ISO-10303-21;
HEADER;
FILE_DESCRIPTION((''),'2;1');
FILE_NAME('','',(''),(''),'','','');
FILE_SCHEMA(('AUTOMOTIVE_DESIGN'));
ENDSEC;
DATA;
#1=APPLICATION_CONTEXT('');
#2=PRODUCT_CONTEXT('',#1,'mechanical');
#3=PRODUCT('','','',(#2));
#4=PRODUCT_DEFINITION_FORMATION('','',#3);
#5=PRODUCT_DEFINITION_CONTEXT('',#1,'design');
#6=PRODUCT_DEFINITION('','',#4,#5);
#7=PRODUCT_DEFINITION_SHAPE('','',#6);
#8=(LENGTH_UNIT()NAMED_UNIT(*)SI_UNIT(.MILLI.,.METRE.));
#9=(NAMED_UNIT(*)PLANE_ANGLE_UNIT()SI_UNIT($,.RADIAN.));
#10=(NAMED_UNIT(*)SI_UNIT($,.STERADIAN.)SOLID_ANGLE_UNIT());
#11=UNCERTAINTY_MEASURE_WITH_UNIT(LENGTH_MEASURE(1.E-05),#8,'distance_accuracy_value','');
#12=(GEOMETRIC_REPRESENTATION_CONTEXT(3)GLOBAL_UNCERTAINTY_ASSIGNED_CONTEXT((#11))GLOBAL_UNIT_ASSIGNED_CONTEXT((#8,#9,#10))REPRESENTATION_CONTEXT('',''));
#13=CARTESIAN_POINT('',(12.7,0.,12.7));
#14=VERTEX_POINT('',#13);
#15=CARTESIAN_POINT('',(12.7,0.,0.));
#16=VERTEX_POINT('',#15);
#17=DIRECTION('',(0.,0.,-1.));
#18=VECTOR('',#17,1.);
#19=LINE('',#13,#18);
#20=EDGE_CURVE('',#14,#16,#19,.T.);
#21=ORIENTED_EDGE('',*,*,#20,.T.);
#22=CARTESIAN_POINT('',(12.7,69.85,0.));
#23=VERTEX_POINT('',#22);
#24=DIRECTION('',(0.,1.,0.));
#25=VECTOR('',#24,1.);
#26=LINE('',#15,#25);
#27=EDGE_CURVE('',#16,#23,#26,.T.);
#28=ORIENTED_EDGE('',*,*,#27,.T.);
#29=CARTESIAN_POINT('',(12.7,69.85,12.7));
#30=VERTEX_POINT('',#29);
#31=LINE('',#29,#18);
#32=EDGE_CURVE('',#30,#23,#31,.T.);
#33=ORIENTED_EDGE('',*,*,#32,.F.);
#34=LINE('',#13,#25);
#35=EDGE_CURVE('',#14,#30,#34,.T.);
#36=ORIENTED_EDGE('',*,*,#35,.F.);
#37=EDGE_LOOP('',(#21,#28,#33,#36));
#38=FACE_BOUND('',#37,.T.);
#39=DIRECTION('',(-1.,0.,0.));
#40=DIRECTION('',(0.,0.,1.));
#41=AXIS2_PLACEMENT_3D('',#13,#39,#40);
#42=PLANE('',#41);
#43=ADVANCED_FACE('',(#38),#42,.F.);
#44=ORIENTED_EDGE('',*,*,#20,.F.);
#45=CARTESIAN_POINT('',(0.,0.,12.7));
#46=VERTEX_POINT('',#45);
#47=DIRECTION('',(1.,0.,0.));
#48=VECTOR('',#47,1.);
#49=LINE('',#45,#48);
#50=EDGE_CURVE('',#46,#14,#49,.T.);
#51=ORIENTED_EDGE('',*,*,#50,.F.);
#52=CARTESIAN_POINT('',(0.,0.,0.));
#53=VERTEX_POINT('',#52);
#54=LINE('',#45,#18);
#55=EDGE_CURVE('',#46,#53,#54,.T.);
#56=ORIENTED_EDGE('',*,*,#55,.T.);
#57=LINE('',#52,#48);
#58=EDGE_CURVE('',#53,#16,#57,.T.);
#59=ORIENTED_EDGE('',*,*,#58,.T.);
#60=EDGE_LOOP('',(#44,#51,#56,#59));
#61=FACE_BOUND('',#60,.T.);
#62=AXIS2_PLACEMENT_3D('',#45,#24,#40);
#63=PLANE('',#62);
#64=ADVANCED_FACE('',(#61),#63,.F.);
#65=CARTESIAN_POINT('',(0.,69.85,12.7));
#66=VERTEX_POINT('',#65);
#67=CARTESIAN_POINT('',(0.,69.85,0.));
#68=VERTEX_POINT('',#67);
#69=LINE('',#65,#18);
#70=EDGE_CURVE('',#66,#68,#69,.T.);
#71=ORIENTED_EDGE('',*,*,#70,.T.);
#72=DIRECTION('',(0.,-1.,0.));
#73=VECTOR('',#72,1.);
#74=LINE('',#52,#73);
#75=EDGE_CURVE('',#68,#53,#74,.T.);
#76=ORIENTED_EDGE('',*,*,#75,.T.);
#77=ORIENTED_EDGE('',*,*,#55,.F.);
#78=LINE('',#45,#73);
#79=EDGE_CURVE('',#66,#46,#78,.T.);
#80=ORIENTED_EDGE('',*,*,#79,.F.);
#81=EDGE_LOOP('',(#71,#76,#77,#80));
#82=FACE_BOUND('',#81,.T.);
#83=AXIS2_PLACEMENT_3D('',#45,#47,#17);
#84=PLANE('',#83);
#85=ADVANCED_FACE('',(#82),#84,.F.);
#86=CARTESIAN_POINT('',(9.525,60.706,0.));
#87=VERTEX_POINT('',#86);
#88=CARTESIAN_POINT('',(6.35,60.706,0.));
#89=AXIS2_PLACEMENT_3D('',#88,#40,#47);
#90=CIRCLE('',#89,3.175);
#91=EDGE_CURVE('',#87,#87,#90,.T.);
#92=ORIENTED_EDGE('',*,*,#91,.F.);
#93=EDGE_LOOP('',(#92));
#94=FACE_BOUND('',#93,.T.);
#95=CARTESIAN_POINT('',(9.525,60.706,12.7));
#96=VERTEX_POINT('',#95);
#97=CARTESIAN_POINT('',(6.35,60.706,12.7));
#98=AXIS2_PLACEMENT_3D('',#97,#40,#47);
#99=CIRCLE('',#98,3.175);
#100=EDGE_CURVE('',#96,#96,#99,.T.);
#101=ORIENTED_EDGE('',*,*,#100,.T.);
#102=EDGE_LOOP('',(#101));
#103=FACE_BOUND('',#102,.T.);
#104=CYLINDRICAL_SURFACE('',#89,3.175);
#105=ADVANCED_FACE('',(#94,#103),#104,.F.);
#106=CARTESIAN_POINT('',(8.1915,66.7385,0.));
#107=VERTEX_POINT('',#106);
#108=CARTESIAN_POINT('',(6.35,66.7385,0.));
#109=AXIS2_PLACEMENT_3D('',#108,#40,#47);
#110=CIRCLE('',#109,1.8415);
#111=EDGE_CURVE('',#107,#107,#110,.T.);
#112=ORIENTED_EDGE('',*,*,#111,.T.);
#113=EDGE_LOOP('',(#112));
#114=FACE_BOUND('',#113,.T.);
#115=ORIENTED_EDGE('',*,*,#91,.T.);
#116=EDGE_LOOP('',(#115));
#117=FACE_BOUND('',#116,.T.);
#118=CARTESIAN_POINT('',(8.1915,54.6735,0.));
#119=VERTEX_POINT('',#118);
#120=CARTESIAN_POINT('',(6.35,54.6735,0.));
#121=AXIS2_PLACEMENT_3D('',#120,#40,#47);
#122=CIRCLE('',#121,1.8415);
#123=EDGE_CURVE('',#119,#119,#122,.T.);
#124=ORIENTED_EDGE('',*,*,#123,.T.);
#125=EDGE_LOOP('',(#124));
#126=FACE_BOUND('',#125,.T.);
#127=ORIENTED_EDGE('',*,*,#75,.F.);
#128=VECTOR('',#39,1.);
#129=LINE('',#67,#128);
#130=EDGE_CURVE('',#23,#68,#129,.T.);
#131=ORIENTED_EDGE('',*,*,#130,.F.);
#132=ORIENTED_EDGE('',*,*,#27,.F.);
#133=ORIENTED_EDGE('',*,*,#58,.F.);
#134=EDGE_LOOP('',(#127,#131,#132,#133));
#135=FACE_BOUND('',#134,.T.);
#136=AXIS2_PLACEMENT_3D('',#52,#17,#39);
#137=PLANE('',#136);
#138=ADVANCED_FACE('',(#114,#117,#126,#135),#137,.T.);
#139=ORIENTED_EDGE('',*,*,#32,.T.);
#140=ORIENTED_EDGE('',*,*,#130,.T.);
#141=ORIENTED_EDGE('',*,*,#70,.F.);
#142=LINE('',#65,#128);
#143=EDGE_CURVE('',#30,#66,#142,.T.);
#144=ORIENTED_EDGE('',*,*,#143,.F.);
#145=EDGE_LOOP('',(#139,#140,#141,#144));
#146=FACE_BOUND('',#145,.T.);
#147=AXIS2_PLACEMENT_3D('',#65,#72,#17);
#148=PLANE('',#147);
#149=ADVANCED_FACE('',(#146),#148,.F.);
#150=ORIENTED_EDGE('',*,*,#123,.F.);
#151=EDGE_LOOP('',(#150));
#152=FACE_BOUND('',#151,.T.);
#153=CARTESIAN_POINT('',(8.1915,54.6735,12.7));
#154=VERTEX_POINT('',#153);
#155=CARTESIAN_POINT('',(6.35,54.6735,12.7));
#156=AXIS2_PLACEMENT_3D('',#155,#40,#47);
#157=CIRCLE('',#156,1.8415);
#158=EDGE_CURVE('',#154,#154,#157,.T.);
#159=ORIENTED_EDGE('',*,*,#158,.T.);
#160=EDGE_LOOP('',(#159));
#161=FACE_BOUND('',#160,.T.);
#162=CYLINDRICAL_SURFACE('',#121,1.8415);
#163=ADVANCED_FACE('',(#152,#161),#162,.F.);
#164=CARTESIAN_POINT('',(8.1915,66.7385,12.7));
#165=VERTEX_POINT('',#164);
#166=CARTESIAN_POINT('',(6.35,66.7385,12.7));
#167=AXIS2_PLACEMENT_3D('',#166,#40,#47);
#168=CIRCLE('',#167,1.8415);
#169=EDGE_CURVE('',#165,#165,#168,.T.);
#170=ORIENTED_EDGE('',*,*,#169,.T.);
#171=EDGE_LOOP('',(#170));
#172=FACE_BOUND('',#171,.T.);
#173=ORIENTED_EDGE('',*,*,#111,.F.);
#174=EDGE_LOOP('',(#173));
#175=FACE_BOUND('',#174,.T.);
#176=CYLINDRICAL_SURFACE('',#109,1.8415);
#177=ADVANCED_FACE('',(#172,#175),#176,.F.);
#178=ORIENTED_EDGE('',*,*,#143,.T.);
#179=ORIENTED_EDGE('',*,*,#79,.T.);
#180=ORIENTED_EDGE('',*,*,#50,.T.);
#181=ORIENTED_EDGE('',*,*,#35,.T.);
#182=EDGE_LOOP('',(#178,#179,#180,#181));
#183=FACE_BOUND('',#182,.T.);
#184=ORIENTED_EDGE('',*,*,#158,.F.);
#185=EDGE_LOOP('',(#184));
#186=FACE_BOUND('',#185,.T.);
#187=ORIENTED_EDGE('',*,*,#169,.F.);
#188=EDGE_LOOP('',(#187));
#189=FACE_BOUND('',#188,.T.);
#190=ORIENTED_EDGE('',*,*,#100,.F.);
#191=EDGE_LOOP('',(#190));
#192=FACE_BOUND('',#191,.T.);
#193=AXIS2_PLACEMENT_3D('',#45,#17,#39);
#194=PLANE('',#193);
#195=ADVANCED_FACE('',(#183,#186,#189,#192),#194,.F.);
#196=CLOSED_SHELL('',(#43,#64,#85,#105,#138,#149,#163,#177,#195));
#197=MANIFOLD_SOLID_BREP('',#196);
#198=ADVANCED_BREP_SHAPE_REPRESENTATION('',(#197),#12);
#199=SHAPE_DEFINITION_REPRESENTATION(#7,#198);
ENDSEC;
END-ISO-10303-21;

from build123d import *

# Parameters (mm, degrees)
SKETCH1_W           = 12.7
SKETCH1_H           = 69.85
BOSS_EXTRUDE1_DEPTH = 12.7
SKETCH2_R           = 3.175
SKETCH2_R_2         = 1.8415
CUT_EXTRUDE1_DEPTH  = 73.122135992


with BuildPart() as part:
    # Sketch1 → Boss-Extrude1 (new body)
    with BuildSketch(Plane.XY):
        with Locations((6.35, 34.925)):
            Rectangle(SKETCH1_W, SKETCH1_H)
    extrude(amount=BOSS_EXTRUDE1_DEPTH)

    # Sketch2 → Cut-Extrude1 (cut, through all)
    with BuildSketch(Plane.XY.offset(12.7)):
        with Locations((6.35, 60.706)):
            Circle(SKETCH2_R)
        with Locations((6.35, 66.7385)):
            Circle(SKETCH2_R_2)
        with Locations((6.35, 54.6735)):
            Circle(SKETCH2_R_2)
    extrude(amount=-CUT_EXTRUDE1_DEPTH, mode=Mode.SUBTRACT)


solid = part.part
